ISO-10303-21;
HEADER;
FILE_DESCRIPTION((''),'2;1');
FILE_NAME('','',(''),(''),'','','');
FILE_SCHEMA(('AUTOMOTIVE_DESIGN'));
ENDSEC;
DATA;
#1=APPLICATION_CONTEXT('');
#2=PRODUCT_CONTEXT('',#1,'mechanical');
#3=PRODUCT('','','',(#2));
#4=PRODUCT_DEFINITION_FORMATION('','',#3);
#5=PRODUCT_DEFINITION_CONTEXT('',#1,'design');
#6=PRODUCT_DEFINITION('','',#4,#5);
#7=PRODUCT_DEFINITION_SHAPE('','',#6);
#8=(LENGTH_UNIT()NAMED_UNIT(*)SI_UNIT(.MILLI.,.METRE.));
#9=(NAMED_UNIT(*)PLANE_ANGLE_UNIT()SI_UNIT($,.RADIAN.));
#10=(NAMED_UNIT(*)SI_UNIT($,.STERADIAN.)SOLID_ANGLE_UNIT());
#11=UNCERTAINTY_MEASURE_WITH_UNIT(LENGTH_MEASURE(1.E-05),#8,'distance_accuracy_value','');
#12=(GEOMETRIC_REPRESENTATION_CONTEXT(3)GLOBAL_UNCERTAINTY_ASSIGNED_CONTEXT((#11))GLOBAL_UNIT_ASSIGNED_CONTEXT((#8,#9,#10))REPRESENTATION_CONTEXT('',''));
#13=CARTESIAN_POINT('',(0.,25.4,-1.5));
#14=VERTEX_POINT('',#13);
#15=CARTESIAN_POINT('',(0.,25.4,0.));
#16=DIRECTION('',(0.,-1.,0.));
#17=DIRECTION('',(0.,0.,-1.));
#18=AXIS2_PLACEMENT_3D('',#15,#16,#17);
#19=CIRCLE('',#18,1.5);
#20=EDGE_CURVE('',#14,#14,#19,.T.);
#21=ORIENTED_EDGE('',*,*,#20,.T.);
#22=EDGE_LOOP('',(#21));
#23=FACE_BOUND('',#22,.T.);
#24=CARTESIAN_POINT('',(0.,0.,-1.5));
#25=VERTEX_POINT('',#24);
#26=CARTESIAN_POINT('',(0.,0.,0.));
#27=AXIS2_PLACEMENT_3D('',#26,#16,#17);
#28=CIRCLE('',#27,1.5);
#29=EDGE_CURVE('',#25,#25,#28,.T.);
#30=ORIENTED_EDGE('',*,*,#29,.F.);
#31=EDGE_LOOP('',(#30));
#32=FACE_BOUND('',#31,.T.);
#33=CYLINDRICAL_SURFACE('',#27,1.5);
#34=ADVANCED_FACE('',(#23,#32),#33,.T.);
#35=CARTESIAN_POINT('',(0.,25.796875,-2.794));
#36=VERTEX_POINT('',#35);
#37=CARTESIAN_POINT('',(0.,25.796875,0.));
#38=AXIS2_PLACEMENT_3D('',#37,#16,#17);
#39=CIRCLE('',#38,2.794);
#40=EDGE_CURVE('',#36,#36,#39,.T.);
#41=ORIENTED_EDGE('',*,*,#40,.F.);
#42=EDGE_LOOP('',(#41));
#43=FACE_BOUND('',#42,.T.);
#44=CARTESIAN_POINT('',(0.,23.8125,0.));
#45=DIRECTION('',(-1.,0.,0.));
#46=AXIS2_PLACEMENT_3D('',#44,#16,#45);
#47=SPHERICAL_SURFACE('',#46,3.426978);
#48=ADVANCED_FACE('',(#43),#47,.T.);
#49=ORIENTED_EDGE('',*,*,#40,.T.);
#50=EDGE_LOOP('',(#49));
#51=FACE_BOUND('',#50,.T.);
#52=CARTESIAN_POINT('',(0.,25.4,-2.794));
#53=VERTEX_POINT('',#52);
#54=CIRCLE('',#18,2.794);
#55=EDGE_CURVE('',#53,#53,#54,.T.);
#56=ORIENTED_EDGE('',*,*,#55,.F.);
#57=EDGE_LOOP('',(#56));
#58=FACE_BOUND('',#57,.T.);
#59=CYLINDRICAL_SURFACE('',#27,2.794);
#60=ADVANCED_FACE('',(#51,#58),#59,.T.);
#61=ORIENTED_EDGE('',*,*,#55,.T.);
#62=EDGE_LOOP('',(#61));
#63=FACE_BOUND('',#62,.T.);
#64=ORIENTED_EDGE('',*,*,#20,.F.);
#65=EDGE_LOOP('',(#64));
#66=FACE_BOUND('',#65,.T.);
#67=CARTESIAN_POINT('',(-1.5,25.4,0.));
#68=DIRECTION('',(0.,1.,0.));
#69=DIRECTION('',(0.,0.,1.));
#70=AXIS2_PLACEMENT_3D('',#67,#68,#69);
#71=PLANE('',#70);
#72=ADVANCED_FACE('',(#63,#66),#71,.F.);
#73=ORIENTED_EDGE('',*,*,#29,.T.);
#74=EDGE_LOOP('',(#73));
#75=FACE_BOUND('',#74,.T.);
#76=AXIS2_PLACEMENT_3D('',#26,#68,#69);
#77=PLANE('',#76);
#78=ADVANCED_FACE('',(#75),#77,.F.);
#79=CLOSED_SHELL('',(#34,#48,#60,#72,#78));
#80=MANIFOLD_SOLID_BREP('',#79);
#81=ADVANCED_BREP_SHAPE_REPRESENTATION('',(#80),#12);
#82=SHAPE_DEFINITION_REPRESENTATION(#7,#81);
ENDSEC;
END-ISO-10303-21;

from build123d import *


with BuildPart() as part:
    # Sketch1 → Revolve1 (revolve)
    with BuildSketch(Plane.XY, mode=Mode.PRIVATE) as revolve1_sk:
        with BuildLine():
            Line((0, 0), (-1.5, 0))
            Line((-1.5, 0), (-1.5, 25.4))
            Line((-1.5, 25.4), (-2.794, 25.4))
            Line((-2.794, 25.4), (-2.794, 25.796875))
            ThreePointArc((-2.794, 25.796875), (-1.572222967, 26.857544348), (0, 27.239478281))
            Line((0, 27.239478281), (0, 0))
        make_face()
    revolve(revolve1_sk.sketch.rotate(Axis((0, 0, 0), (0, 1, 0)), 270), axis=Axis((0, 0, 0), (0, 1, 0)))


solid = part.part
